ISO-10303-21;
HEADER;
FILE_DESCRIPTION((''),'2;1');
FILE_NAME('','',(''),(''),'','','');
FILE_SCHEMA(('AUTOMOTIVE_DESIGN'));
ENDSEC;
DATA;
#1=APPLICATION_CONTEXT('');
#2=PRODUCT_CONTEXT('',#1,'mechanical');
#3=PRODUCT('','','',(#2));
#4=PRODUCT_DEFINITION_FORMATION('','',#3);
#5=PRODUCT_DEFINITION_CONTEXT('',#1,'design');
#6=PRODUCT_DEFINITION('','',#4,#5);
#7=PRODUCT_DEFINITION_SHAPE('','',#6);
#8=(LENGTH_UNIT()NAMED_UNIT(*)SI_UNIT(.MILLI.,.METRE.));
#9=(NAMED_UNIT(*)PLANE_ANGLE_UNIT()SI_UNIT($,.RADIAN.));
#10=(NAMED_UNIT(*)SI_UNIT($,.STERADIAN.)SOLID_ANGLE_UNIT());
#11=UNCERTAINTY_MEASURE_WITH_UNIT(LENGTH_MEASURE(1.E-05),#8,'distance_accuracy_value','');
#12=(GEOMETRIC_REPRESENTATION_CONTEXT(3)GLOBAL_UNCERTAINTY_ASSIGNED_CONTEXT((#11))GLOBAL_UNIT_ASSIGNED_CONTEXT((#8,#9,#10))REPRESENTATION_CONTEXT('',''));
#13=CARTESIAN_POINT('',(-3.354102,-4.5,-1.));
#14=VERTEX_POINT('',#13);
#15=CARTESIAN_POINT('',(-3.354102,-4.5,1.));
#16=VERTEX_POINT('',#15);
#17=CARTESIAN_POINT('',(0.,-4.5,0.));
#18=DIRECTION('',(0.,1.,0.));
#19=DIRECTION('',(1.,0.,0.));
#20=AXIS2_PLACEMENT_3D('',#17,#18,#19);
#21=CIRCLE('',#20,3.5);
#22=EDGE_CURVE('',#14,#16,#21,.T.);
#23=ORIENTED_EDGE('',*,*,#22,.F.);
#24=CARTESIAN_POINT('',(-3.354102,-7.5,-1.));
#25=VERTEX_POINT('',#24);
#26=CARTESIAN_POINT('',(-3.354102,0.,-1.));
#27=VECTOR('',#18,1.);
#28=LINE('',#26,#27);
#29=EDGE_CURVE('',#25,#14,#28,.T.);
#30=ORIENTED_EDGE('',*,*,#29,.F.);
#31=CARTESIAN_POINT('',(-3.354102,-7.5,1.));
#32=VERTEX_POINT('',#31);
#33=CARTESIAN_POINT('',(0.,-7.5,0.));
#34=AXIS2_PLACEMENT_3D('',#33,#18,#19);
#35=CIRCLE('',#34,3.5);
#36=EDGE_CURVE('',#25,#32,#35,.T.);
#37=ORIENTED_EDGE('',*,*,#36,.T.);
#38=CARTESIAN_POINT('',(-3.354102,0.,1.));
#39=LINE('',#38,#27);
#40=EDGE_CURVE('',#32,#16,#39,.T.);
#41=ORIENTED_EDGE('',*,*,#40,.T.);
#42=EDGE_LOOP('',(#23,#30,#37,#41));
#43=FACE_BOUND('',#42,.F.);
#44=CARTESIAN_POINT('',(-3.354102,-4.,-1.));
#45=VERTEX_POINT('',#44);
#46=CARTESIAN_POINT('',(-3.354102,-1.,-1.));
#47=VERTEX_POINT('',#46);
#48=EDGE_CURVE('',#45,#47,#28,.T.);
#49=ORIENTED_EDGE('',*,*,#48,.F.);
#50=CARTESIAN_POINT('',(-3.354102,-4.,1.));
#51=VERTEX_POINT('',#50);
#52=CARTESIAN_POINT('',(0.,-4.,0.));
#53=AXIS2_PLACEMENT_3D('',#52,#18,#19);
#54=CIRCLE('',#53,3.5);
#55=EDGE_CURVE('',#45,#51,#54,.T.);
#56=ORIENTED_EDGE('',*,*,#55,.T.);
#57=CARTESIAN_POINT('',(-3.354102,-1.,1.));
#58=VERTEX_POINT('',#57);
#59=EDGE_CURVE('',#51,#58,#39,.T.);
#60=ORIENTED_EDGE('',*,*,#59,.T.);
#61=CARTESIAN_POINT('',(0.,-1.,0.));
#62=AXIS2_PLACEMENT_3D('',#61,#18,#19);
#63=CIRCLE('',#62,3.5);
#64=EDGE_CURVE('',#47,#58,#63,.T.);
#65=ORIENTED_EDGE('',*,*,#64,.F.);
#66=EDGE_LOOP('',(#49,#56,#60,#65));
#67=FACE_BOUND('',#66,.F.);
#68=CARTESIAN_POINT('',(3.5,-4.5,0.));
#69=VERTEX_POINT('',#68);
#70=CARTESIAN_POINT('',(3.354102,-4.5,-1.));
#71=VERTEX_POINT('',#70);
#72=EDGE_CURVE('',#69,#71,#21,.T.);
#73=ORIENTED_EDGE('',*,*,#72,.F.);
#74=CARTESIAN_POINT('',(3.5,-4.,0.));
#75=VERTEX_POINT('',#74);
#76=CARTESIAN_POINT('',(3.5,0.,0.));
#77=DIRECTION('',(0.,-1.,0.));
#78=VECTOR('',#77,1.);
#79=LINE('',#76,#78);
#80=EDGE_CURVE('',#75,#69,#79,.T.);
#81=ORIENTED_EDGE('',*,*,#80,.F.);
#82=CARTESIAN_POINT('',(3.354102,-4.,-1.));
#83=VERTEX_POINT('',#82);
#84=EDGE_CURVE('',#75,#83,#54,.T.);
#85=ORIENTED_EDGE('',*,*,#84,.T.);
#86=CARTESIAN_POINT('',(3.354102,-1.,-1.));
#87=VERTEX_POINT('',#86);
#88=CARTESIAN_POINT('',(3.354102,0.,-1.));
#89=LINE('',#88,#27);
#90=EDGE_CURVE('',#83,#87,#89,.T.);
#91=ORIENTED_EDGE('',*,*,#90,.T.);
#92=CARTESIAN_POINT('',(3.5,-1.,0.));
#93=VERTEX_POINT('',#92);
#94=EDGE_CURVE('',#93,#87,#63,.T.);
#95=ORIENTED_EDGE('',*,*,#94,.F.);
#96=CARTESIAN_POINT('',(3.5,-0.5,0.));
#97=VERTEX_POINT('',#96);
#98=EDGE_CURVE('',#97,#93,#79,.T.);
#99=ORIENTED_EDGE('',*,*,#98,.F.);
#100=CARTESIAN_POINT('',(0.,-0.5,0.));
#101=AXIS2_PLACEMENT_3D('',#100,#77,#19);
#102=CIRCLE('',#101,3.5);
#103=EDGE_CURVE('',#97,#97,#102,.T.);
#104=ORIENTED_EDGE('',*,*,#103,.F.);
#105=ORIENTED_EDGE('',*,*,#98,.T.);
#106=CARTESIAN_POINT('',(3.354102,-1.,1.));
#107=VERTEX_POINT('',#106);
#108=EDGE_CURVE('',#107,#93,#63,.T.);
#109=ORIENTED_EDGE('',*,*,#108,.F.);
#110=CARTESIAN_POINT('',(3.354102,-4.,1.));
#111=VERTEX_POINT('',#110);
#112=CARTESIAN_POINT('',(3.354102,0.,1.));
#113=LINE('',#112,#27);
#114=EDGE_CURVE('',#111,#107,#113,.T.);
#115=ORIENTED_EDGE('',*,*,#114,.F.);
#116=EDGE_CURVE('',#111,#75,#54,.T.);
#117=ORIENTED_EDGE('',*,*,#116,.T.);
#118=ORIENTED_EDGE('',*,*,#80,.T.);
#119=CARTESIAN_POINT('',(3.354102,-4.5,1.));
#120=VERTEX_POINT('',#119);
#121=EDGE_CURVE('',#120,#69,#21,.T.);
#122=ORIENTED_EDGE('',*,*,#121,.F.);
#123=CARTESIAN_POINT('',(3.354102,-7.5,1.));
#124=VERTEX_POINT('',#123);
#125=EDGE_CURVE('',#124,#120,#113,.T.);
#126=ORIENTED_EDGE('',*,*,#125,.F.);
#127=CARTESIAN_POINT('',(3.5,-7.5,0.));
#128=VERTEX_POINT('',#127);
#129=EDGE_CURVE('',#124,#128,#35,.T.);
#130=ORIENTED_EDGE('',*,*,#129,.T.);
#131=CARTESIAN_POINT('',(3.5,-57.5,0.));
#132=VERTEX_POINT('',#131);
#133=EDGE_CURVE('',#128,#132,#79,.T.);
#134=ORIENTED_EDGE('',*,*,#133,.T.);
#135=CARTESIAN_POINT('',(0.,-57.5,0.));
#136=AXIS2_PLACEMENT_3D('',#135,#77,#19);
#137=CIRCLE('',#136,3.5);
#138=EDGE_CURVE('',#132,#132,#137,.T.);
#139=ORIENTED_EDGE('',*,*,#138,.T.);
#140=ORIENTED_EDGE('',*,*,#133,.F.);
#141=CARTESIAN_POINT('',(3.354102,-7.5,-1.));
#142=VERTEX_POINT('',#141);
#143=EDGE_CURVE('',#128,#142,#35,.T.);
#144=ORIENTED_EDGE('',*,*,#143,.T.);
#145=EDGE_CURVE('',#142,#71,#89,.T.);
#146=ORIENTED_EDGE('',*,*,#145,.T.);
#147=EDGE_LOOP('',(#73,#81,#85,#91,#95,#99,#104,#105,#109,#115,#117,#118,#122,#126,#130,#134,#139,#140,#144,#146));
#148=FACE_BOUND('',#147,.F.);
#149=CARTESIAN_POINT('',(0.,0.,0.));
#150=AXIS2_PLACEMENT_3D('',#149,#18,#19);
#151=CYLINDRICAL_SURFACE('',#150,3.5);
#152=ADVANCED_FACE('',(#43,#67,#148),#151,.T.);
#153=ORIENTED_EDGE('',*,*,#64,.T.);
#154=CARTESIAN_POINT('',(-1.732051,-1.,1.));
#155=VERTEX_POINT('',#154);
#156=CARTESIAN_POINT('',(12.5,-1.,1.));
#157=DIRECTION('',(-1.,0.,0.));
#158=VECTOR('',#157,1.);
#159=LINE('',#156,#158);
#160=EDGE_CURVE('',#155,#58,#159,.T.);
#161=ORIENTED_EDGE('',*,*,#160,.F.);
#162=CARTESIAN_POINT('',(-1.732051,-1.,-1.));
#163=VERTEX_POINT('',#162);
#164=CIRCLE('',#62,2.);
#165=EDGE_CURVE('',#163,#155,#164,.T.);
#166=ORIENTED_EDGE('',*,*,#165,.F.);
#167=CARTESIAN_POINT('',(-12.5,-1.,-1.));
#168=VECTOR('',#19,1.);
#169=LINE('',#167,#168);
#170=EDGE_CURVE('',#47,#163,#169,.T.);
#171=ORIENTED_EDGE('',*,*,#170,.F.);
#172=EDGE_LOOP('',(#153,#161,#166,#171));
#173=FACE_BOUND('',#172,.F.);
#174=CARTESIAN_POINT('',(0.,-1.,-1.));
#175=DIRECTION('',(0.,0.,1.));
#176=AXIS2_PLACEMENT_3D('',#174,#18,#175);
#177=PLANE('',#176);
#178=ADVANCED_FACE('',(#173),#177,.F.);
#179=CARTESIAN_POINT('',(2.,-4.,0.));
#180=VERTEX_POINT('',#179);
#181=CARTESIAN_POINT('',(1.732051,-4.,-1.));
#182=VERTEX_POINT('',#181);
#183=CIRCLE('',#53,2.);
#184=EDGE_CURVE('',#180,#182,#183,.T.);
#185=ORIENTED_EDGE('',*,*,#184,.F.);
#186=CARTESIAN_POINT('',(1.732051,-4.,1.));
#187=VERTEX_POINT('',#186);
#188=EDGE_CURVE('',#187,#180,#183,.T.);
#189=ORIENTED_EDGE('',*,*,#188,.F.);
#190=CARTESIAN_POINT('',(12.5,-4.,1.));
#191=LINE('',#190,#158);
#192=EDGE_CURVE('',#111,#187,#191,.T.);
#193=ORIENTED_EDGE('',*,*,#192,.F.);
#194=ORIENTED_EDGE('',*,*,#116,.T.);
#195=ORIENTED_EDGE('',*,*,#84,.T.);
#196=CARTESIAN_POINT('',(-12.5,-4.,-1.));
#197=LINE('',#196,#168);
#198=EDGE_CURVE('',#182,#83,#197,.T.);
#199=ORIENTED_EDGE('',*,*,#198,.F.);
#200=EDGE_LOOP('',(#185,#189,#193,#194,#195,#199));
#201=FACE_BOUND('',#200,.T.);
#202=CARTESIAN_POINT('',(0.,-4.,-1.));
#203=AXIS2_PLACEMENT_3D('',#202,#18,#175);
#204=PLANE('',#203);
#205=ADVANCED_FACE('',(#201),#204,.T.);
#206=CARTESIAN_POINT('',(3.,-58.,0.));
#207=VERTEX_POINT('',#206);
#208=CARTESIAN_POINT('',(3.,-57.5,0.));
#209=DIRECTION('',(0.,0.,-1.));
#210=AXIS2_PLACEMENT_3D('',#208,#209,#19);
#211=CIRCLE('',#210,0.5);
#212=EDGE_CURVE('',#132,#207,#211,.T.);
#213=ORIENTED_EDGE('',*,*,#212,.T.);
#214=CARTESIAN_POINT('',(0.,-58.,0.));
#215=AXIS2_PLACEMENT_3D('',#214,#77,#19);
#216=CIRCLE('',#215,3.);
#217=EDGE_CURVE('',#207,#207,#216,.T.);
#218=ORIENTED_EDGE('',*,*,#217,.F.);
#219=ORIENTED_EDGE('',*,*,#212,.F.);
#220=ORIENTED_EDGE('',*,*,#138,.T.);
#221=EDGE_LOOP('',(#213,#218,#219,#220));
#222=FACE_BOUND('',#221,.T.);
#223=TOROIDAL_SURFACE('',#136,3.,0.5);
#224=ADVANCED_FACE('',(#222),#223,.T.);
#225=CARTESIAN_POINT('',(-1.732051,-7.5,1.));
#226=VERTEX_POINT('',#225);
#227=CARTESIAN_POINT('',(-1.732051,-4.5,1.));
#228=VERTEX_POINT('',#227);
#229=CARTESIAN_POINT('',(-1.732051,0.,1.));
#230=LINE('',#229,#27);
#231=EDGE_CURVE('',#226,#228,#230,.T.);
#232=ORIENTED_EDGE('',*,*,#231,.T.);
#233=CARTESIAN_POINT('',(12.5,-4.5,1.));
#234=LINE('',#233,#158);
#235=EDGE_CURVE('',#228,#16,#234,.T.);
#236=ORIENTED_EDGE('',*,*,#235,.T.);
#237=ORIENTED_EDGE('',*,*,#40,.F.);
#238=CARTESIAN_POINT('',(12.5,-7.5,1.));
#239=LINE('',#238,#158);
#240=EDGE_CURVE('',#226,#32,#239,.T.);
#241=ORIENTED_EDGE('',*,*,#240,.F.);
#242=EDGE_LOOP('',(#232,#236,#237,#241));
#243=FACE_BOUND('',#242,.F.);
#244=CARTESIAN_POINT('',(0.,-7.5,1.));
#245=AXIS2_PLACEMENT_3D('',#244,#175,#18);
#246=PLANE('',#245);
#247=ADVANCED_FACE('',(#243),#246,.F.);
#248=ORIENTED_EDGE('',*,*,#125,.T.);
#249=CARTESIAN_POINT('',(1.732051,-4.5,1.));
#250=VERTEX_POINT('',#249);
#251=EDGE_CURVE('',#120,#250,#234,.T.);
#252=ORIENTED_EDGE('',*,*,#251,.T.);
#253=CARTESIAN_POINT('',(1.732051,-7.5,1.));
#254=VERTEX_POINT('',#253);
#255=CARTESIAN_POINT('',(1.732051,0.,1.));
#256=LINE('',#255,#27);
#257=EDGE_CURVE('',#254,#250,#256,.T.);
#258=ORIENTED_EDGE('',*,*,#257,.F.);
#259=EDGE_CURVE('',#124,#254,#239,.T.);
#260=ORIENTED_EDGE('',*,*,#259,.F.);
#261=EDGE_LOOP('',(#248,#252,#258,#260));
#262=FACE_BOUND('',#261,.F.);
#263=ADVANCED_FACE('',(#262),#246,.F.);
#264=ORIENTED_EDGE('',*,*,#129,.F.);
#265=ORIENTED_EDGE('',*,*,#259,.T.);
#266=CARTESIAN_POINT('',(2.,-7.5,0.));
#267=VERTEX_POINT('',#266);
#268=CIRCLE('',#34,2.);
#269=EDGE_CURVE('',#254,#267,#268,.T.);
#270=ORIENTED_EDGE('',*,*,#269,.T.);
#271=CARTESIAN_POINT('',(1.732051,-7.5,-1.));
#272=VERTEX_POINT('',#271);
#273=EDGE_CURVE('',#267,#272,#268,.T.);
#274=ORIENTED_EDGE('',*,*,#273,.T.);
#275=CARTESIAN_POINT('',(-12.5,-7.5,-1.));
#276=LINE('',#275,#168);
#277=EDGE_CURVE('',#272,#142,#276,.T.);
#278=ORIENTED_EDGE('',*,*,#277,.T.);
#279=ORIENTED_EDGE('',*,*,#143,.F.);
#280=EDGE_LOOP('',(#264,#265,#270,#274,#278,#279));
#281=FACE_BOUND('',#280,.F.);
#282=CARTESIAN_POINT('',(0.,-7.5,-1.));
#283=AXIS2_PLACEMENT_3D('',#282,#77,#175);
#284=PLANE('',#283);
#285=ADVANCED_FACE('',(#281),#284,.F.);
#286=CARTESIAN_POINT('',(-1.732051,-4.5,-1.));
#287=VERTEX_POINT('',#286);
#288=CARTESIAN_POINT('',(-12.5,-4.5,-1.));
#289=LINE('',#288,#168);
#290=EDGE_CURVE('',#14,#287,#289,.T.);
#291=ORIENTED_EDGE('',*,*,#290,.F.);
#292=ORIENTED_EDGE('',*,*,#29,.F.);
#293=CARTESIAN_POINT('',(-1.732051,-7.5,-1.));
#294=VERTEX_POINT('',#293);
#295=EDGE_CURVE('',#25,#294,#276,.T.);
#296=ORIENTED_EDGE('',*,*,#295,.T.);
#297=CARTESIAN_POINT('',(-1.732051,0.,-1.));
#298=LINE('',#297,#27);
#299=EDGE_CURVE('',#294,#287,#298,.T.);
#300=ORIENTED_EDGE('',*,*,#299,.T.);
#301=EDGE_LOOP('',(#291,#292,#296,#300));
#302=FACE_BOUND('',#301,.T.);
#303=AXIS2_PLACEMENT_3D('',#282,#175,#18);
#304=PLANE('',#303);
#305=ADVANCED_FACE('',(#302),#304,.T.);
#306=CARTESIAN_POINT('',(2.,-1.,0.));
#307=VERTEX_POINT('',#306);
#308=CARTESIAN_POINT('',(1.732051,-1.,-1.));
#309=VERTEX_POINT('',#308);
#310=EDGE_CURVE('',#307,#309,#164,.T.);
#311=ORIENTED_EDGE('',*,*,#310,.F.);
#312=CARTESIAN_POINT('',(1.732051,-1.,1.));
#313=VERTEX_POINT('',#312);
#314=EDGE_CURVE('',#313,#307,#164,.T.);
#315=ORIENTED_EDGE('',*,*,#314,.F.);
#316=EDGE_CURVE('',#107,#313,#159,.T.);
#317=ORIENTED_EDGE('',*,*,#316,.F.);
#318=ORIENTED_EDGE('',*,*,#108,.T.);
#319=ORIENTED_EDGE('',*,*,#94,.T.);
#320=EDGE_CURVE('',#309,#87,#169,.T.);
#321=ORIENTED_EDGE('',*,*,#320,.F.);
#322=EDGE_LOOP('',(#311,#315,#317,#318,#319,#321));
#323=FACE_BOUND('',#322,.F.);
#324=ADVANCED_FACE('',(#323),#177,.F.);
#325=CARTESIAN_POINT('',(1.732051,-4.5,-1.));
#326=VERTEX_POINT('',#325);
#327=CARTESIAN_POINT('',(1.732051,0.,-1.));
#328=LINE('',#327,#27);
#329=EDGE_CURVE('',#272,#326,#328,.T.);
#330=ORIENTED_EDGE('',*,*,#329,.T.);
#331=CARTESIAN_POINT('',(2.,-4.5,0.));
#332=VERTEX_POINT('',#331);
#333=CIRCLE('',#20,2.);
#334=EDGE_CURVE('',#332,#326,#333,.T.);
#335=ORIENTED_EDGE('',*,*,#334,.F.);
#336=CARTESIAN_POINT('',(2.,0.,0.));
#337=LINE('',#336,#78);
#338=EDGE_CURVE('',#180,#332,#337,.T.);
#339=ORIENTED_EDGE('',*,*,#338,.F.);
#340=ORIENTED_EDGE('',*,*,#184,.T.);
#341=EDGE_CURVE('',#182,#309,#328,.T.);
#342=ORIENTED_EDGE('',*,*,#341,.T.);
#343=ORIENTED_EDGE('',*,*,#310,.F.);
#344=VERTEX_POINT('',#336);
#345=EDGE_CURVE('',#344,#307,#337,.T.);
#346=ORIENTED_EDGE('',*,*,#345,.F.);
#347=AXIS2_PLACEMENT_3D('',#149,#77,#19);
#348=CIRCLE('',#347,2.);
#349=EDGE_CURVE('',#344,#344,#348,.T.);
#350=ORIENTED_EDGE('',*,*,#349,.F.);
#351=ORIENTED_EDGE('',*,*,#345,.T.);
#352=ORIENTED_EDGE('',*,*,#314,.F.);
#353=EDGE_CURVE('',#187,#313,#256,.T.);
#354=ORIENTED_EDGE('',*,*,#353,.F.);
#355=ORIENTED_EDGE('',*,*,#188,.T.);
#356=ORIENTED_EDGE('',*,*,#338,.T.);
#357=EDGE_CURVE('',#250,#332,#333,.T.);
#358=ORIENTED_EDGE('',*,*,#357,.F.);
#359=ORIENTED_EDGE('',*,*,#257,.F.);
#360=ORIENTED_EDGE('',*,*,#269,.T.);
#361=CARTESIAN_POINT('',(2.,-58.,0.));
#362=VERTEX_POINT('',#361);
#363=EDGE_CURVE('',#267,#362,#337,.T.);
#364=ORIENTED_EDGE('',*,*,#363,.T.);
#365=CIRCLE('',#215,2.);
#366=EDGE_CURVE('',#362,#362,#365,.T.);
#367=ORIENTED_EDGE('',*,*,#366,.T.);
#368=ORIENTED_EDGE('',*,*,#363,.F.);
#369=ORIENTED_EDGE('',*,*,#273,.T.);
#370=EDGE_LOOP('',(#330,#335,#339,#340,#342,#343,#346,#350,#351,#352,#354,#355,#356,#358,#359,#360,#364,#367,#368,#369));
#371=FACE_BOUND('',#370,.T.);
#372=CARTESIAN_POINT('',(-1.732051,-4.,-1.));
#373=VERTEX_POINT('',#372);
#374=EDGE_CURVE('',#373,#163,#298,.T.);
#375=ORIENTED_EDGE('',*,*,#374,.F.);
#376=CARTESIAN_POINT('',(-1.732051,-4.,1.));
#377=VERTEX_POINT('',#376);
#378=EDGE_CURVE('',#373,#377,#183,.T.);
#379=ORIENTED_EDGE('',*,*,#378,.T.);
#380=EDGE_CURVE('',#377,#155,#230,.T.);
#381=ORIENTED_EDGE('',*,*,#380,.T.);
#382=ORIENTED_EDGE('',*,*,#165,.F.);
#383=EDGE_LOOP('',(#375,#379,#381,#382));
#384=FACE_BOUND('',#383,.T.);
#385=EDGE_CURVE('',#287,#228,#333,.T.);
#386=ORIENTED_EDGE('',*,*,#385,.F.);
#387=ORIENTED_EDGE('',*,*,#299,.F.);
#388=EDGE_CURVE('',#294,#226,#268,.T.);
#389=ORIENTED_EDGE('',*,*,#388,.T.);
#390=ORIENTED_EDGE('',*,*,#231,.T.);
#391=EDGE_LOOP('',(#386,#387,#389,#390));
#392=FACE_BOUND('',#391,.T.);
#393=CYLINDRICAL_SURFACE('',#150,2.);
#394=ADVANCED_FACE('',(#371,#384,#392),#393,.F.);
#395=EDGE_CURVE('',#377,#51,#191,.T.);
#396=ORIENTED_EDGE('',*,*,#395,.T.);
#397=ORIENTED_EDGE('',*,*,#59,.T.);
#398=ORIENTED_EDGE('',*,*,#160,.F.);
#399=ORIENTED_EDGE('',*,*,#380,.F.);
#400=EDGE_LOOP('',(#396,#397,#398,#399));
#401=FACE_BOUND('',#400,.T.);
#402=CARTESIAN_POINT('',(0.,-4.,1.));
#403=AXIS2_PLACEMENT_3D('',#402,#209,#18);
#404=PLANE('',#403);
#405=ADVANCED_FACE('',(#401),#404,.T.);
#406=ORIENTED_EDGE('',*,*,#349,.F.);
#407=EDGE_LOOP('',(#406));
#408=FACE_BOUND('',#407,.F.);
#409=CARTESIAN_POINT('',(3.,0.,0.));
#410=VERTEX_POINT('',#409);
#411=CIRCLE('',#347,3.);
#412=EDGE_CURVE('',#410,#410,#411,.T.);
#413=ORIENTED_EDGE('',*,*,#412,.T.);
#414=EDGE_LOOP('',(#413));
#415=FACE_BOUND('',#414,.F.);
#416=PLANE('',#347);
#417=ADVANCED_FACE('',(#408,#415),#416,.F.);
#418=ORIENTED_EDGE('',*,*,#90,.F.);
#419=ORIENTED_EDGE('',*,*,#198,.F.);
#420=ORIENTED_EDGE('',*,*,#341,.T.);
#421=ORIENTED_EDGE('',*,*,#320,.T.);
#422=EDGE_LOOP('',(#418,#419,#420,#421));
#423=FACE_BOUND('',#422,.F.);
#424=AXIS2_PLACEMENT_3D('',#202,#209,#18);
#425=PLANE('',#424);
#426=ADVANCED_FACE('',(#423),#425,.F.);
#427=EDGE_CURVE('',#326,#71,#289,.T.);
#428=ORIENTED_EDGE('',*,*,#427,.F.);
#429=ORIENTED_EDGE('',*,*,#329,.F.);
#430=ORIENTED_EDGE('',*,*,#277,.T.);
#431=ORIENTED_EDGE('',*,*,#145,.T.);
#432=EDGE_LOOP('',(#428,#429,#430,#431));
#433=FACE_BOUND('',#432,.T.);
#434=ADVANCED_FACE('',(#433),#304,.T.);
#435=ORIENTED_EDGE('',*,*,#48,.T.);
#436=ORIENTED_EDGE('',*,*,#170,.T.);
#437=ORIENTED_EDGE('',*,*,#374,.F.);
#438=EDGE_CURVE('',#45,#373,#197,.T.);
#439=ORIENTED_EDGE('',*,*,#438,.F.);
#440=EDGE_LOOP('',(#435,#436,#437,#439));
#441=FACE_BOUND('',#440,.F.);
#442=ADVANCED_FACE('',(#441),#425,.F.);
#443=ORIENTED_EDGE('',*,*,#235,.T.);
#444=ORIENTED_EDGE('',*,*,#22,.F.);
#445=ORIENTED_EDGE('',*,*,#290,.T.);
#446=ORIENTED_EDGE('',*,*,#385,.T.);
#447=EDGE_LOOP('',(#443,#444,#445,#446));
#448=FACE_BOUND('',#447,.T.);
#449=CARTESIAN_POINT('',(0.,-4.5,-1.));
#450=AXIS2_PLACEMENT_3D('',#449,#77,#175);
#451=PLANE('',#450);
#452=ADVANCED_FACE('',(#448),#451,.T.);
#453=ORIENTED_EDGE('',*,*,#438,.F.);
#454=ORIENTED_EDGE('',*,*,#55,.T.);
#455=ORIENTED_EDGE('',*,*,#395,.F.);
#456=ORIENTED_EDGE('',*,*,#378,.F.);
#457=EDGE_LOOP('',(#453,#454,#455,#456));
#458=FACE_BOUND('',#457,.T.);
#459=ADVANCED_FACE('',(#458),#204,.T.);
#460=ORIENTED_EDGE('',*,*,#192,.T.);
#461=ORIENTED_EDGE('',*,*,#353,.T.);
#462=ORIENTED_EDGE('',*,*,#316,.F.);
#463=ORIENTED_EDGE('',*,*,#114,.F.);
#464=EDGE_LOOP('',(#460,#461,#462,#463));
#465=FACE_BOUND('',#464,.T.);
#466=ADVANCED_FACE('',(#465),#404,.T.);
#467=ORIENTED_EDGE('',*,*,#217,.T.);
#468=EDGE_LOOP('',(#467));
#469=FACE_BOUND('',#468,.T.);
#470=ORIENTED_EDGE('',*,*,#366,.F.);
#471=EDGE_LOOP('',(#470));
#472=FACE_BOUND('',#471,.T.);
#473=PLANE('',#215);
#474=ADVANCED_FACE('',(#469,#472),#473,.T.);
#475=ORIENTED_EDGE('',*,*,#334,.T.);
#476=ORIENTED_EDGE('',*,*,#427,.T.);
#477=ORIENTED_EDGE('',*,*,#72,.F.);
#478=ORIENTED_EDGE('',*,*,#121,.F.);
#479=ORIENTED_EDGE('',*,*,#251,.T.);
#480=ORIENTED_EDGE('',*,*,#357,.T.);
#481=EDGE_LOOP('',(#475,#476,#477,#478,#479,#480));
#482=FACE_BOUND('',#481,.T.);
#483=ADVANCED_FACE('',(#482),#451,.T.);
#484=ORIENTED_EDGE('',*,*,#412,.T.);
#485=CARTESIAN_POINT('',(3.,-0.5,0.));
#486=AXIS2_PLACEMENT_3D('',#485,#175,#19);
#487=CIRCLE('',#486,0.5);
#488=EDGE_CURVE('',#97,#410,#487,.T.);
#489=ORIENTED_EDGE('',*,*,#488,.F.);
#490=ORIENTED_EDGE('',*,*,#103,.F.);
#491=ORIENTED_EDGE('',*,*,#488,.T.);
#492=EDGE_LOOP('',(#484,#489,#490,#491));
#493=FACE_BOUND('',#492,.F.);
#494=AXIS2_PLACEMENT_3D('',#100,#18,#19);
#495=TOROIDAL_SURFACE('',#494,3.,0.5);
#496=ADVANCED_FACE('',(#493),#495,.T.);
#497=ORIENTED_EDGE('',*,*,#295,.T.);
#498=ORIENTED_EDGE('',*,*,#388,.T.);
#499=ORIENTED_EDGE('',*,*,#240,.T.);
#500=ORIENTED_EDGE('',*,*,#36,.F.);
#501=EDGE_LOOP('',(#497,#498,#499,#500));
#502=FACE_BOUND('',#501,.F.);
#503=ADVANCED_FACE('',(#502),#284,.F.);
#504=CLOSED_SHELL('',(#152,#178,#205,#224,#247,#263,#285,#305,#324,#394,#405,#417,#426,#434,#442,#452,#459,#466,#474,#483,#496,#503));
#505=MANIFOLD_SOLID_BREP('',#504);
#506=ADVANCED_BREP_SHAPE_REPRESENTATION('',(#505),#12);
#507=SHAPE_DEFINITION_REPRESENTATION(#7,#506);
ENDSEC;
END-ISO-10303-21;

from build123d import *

# Parameters (mm, degrees)
F0_R     = 3.5
F0_R_2   = 2
F1_DEPTH = 58
F2_R     = 0.5
F3_W     = 3
F3_H     = 2
F4_DEPTH = 12.5


with BuildPart() as f1:
    # F0 (on Front) → F1 (new body)
    with BuildSketch(Plane.XZ):
        Circle(F0_R)
        Circle(F0_R_2, mode=Mode.SUBTRACT)
    extrude(amount=F1_DEPTH)

    # F2
    f2_edges = [f1.edges().sort_by_distance(p)[0] for p in [
        (-3.5, -58, 0),
        (-3.5, 0, 0),
    ]]
    fillet(f2_edges, radius=F2_R)

    # F3 (on Right) → F4 (cut, symmetric)
    with BuildSketch(Plane.YZ):
        with Locations((-6, 0)):
            Rectangle(F3_W, F3_H)
        with Locations((-2.5, 0)):
            Rectangle(F3_W, F3_H)
    extrude(amount=F4_DEPTH, both=True, mode=Mode.SUBTRACT)


solid = f1.part
